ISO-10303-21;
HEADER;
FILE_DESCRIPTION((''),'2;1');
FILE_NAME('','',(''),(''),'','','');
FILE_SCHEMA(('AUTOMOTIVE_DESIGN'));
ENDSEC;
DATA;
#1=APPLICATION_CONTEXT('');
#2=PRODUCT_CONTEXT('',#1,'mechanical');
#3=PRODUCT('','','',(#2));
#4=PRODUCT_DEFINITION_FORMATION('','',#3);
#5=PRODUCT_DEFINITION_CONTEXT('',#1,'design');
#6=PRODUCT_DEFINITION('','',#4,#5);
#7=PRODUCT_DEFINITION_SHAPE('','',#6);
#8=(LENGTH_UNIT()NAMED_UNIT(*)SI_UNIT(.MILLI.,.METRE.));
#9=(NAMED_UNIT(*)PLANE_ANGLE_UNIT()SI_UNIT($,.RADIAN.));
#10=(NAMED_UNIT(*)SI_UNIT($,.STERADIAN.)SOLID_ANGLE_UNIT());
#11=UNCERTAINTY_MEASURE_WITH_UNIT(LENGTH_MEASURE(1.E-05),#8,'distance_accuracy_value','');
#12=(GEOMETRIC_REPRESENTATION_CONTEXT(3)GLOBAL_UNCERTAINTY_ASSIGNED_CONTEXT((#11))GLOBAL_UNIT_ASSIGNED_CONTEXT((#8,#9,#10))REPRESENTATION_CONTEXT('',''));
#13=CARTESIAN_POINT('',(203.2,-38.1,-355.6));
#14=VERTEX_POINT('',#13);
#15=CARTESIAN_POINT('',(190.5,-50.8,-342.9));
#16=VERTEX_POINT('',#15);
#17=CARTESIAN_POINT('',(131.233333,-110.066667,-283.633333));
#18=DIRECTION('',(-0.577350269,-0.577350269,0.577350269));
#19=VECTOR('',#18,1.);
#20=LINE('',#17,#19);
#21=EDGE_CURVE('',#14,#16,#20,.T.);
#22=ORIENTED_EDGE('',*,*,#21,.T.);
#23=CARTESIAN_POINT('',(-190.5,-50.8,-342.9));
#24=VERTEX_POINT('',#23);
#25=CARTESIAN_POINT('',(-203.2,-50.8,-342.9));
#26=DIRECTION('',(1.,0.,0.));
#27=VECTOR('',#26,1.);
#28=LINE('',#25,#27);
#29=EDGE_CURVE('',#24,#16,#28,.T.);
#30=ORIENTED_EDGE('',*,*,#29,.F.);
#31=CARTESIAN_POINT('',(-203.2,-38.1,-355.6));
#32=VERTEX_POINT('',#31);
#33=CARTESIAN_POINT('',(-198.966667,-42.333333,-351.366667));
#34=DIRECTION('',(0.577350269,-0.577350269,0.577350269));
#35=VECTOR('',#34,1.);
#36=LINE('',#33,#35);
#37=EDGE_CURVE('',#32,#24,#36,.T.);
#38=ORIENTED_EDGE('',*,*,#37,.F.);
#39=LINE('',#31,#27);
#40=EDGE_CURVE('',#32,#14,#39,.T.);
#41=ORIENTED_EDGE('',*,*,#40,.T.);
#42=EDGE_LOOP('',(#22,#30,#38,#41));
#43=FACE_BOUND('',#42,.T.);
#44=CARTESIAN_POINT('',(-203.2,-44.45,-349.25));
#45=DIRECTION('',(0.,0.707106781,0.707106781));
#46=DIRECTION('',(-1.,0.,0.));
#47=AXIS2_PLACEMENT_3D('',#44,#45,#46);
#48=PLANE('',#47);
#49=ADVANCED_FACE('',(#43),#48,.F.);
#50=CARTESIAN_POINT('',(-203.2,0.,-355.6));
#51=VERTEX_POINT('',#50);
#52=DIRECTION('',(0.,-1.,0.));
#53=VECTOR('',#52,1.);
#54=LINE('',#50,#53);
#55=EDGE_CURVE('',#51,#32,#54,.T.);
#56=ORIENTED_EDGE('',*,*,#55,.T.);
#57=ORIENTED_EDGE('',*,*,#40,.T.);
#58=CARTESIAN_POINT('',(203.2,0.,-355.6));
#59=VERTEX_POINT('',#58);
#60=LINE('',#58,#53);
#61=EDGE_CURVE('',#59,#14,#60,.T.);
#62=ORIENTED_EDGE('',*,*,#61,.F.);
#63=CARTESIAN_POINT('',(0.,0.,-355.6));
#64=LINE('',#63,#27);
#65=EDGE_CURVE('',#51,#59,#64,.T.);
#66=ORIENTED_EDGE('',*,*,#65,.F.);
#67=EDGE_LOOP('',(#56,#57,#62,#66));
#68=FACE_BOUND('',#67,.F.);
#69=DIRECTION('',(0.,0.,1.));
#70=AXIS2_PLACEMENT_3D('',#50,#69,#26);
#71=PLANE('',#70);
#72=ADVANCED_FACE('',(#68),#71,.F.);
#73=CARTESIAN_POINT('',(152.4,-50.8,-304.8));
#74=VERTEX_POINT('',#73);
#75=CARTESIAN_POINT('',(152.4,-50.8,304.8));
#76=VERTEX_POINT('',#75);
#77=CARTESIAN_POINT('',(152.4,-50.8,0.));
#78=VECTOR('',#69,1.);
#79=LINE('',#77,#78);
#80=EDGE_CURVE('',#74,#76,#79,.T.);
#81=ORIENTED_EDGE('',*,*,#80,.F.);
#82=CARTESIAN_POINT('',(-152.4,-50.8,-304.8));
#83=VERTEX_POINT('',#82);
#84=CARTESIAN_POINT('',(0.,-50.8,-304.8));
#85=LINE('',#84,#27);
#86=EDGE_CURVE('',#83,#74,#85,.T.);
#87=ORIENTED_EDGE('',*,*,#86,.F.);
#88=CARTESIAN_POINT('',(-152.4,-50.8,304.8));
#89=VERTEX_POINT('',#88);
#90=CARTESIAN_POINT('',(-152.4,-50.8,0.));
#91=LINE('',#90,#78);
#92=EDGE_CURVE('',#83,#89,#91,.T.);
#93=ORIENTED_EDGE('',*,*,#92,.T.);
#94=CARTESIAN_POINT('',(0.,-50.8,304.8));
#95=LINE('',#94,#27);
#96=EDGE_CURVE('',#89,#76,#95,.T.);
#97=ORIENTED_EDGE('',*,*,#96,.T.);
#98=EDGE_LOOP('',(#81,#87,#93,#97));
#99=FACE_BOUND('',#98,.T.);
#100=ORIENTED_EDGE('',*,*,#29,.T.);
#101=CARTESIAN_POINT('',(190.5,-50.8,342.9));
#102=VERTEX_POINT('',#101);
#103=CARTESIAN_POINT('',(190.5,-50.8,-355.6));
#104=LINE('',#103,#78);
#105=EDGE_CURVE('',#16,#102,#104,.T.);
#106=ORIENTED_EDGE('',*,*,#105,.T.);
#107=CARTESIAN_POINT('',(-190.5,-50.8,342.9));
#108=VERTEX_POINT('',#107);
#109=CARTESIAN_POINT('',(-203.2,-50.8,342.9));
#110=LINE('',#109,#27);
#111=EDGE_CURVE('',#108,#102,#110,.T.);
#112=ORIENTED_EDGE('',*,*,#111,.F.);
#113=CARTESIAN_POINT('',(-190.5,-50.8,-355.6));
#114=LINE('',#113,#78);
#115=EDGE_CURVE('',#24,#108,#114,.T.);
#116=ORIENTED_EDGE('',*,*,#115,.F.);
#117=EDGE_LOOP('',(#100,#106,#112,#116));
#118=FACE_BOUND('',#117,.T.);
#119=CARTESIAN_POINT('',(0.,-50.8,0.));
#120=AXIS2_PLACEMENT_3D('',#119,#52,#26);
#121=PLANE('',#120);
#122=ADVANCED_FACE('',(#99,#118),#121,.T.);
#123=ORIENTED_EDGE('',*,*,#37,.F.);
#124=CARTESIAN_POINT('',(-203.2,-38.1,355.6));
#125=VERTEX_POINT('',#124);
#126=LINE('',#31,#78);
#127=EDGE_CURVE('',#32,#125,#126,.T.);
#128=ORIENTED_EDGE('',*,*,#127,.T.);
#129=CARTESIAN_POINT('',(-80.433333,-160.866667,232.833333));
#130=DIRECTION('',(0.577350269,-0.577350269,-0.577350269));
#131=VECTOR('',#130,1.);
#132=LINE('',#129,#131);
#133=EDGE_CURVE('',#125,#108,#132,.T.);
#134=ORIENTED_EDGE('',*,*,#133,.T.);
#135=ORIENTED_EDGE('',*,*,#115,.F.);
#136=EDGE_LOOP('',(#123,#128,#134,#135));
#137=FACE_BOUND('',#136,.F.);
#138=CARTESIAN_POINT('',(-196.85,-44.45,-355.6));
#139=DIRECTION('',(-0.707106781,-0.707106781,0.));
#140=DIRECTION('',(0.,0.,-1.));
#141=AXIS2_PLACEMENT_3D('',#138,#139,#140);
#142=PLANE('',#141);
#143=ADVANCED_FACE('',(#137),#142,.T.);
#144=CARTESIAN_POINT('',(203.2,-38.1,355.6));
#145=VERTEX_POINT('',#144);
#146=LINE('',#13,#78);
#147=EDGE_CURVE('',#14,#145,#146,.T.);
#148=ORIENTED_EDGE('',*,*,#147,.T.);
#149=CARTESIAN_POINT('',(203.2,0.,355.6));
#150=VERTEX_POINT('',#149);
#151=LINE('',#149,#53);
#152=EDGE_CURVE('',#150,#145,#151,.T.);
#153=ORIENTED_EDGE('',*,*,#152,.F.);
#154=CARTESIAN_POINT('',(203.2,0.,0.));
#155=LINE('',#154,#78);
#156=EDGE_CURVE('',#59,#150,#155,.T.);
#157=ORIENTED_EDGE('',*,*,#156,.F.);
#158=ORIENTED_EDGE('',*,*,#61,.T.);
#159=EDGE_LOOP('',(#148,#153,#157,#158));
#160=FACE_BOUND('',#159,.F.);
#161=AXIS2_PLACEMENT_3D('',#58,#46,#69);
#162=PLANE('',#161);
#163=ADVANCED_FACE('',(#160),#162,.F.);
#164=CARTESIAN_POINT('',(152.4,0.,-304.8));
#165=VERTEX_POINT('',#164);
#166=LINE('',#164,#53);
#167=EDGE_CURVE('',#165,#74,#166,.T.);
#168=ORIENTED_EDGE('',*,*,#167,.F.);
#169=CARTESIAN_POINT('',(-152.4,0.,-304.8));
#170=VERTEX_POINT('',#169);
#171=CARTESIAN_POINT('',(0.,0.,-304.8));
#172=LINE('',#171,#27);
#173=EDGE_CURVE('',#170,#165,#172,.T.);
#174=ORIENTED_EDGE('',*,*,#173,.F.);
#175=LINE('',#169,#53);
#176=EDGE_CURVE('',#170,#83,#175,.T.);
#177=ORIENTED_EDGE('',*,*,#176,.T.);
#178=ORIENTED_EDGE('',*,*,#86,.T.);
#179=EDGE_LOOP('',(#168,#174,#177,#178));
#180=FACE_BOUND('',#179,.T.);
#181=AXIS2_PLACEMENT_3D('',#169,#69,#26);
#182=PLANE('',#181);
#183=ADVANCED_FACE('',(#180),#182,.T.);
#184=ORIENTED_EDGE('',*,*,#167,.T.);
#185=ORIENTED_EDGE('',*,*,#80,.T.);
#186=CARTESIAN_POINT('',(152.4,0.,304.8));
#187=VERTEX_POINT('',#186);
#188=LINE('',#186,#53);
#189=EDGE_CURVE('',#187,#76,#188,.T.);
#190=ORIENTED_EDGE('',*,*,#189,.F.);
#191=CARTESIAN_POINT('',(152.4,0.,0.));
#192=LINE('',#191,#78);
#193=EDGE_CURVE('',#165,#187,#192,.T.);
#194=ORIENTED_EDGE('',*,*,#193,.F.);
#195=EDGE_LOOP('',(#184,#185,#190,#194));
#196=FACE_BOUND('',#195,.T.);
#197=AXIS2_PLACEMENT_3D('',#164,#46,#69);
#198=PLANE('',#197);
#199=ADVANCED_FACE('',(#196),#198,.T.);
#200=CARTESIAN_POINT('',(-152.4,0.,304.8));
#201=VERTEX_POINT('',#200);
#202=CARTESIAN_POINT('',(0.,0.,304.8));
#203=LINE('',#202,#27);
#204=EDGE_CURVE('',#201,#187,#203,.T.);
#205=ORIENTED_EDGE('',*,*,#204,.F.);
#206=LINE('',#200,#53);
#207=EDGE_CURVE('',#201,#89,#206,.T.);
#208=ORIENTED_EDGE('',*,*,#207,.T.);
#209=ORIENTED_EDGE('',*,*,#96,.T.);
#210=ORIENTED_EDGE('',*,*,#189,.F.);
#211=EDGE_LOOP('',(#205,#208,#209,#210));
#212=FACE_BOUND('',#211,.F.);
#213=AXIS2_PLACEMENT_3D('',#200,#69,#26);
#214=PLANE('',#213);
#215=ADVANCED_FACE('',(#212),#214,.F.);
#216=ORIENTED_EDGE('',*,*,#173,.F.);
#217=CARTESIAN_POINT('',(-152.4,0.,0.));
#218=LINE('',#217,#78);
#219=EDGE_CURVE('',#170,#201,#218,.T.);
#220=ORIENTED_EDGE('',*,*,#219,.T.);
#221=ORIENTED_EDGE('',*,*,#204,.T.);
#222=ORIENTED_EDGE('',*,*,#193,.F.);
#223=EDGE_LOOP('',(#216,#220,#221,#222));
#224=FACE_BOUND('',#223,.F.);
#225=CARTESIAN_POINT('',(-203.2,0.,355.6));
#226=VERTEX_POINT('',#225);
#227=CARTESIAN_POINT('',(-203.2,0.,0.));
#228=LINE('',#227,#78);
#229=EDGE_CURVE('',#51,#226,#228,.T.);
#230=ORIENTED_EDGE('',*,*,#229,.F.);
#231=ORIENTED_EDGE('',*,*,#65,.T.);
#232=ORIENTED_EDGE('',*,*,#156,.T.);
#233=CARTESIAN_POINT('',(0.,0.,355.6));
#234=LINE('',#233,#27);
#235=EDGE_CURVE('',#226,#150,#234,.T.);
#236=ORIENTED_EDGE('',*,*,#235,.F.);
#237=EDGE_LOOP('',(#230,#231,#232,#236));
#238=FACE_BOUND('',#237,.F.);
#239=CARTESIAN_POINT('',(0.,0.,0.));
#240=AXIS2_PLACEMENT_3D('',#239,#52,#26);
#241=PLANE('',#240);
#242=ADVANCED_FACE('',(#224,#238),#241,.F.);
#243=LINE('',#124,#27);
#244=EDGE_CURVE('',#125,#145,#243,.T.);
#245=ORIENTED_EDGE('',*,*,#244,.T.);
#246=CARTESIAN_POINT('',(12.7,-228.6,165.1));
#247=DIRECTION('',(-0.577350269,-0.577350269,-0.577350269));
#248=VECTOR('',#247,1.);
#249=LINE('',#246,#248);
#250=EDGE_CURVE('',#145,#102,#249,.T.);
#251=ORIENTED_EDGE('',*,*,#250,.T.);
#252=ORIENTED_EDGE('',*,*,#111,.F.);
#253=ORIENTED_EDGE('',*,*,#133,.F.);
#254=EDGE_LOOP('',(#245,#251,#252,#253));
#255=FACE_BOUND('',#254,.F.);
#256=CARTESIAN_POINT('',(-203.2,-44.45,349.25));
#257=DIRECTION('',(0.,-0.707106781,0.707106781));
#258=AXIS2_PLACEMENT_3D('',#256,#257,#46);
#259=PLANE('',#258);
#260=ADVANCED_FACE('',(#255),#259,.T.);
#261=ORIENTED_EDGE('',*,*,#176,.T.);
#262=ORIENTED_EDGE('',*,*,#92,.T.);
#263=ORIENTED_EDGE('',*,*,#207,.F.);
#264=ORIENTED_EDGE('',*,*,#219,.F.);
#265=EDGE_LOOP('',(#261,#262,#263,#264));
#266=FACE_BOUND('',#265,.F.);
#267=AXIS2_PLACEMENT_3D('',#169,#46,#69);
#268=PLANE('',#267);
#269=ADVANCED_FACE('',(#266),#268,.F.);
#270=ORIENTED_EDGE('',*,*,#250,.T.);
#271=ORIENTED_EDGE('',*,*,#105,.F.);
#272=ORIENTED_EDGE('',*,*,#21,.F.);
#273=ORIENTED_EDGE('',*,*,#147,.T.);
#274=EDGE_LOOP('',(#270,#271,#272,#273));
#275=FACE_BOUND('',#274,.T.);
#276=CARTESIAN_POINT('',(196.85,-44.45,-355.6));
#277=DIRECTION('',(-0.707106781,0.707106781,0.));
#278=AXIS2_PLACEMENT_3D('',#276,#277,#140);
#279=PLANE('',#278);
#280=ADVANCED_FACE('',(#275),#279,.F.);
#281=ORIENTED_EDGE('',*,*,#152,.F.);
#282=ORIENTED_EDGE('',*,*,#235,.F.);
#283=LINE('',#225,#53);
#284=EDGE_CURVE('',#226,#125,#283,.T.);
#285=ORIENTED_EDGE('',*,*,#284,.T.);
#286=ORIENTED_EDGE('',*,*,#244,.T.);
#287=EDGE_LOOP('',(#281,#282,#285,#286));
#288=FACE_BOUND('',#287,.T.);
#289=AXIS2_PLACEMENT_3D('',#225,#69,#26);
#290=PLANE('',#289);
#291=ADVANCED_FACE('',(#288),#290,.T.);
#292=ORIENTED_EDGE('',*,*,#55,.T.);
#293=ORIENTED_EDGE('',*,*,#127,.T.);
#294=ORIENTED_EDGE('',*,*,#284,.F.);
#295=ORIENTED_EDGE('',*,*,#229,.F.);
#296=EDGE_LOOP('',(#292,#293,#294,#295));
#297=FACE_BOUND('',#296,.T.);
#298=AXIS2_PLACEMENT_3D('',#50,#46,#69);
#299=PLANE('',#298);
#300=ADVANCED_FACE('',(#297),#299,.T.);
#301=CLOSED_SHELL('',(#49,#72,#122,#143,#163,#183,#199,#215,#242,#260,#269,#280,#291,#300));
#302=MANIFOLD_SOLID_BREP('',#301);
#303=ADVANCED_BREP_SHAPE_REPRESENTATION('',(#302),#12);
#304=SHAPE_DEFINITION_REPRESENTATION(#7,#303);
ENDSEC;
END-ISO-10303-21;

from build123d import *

# Parameters (mm, degrees)
F0_W     = 406.4
F0_H     = 711.2
F0_W_2   = 304.8
F0_H_2   = 609.6
F1_DEPTH = 50.8
F3_SIZE  = 12.7


with BuildPart() as f1:
    # F0 (on Front) → F1 (new body)
    with BuildSketch(Plane.XZ):
        Rectangle(F0_W, F0_H)
        Rectangle(F0_W_2, F0_H_2, mode=Mode.SUBTRACT)
    extrude(amount=F1_DEPTH)

    # F3
    f3_edges = [f1.edges().sort_by_distance(p)[0] for p in [
        (203.2, -50.8, 0),
        (0, -50.8, 355.6),
        (-203.2, -50.8, 0),
        (0, -50.8, -355.6),
    ]]
    chamfer(f3_edges, length=F3_SIZE)


solid = f1.part
